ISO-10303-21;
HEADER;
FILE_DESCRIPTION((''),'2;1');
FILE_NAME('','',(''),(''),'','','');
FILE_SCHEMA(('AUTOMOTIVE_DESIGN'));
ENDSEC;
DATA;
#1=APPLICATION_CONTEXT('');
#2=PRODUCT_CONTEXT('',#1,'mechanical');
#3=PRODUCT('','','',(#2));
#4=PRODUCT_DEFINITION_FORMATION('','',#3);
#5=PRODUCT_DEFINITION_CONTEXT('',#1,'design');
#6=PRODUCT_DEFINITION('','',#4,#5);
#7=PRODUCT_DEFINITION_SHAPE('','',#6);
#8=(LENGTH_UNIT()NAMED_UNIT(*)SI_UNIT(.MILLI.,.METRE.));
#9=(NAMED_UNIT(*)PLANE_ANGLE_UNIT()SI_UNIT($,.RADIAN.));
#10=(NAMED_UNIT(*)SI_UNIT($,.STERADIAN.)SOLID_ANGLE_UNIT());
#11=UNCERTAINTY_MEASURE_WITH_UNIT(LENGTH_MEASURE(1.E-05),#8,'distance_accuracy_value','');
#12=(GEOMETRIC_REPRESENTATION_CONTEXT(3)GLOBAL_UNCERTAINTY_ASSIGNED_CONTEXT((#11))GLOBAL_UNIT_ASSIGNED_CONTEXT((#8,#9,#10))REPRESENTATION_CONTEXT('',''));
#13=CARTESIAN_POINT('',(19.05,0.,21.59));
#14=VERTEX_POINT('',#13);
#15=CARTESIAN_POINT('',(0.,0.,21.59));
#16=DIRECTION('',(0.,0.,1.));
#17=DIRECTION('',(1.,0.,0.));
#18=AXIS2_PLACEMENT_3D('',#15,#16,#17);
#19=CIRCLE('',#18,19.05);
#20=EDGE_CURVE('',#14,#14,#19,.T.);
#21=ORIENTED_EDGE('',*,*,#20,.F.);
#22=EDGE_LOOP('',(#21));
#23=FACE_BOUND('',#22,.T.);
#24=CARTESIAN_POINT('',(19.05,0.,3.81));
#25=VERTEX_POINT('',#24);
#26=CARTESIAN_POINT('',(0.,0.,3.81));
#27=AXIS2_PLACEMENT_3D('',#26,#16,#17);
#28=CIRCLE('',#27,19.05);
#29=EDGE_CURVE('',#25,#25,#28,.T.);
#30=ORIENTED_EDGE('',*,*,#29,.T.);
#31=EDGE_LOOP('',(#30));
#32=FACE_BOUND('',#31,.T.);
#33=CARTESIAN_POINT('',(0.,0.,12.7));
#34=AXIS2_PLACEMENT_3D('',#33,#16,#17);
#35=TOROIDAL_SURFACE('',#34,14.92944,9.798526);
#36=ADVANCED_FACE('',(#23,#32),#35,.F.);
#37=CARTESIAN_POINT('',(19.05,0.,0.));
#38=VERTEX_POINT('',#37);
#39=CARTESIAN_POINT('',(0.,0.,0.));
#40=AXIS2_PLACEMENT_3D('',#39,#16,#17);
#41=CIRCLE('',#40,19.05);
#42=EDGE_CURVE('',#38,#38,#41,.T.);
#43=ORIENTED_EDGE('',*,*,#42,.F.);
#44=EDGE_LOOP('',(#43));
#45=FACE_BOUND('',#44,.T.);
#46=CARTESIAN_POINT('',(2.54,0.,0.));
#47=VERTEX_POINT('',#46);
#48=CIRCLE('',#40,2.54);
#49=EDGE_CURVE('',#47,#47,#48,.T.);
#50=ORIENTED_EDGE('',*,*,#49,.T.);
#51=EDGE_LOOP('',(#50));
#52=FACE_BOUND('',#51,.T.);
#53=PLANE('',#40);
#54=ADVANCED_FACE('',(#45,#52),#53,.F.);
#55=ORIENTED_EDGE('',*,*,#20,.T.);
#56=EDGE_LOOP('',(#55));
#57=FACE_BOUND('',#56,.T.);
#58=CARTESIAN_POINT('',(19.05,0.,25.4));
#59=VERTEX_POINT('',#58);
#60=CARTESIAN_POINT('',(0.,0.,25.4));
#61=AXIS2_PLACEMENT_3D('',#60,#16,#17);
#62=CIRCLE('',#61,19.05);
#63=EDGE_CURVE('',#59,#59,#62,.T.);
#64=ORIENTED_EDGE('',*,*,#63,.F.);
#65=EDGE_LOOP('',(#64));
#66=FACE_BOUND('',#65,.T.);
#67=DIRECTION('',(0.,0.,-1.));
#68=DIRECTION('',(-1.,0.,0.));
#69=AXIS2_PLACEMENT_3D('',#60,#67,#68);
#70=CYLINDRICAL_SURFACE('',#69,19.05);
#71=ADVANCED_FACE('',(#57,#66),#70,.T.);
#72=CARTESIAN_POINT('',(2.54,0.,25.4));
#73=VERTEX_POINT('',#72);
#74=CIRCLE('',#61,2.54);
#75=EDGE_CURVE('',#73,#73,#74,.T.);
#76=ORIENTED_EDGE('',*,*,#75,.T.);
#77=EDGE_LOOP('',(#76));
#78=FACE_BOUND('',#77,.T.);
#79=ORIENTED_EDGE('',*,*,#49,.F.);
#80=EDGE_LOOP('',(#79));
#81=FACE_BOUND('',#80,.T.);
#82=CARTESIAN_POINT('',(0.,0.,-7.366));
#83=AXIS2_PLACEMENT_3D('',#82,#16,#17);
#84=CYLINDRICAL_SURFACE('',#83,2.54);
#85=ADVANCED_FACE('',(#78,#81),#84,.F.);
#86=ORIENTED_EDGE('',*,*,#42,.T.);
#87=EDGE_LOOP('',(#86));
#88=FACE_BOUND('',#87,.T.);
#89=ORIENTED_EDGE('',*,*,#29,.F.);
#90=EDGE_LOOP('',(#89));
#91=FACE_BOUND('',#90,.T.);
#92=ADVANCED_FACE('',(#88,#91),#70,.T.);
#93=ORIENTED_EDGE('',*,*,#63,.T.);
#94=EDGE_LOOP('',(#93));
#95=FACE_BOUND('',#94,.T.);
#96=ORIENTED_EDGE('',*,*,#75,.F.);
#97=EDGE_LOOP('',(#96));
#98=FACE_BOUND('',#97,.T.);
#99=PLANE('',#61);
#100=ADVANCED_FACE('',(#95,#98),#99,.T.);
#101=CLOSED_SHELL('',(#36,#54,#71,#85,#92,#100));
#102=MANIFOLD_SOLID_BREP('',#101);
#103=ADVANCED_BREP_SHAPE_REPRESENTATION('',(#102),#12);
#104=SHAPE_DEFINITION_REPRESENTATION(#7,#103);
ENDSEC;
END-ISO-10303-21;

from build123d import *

# Parameters (mm, degrees)
SKETCH1_R               = 19.05
BOSS_EXTRUDE1_DEPTH     = 25.4
CUT_EXTRUDE1_DEPTH      = 36.83
CUT_EXTRUDE1_DEPTH_BACK = 7.366
SKETCH3_R               = 2.54


with BuildPart() as part:
    # Sketch1 → Boss-Extrude1 (new body)
    with BuildSketch(Plane.XY):
        Circle(SKETCH1_R)
    extrude(amount=BOSS_EXTRUDE1_DEPTH)

    # Sketch2 → Cut-Revolve1 (revolve, cut)
    with BuildSketch(Plane(origin=(0, 0, 0), x_dir=(0, 0, -1), z_dir=(1, 0, 0)), mode=Mode.PRIVATE) as cut_revolve1_sk:
        with BuildLine():
            Line((-3.81, 19.05), (-21.59, 19.05))
            ThreePointArc((-21.59, 19.05), (-12.7, 5.130913707), (-3.81, 19.05))
        make_face()
    revolve(cut_revolve1_sk.sketch.rotate(Axis((0, 0, 36.401990555), (0, 0, -1)), 90), axis=Axis((0, 0, 36.401990555), (0, 0, -1)), mode=Mode.SUBTRACT)

    # Sketch3 → Cut-Extrude1 (cut, two sides: drawn at the far end of the back side and taken through both)
    with BuildSketch(Plane.XY.offset(-CUT_EXTRUDE1_DEPTH_BACK)):
        Circle(SKETCH3_R)
    extrude(amount=CUT_EXTRUDE1_DEPTH + CUT_EXTRUDE1_DEPTH_BACK, mode=Mode.SUBTRACT)


solid = part.part
